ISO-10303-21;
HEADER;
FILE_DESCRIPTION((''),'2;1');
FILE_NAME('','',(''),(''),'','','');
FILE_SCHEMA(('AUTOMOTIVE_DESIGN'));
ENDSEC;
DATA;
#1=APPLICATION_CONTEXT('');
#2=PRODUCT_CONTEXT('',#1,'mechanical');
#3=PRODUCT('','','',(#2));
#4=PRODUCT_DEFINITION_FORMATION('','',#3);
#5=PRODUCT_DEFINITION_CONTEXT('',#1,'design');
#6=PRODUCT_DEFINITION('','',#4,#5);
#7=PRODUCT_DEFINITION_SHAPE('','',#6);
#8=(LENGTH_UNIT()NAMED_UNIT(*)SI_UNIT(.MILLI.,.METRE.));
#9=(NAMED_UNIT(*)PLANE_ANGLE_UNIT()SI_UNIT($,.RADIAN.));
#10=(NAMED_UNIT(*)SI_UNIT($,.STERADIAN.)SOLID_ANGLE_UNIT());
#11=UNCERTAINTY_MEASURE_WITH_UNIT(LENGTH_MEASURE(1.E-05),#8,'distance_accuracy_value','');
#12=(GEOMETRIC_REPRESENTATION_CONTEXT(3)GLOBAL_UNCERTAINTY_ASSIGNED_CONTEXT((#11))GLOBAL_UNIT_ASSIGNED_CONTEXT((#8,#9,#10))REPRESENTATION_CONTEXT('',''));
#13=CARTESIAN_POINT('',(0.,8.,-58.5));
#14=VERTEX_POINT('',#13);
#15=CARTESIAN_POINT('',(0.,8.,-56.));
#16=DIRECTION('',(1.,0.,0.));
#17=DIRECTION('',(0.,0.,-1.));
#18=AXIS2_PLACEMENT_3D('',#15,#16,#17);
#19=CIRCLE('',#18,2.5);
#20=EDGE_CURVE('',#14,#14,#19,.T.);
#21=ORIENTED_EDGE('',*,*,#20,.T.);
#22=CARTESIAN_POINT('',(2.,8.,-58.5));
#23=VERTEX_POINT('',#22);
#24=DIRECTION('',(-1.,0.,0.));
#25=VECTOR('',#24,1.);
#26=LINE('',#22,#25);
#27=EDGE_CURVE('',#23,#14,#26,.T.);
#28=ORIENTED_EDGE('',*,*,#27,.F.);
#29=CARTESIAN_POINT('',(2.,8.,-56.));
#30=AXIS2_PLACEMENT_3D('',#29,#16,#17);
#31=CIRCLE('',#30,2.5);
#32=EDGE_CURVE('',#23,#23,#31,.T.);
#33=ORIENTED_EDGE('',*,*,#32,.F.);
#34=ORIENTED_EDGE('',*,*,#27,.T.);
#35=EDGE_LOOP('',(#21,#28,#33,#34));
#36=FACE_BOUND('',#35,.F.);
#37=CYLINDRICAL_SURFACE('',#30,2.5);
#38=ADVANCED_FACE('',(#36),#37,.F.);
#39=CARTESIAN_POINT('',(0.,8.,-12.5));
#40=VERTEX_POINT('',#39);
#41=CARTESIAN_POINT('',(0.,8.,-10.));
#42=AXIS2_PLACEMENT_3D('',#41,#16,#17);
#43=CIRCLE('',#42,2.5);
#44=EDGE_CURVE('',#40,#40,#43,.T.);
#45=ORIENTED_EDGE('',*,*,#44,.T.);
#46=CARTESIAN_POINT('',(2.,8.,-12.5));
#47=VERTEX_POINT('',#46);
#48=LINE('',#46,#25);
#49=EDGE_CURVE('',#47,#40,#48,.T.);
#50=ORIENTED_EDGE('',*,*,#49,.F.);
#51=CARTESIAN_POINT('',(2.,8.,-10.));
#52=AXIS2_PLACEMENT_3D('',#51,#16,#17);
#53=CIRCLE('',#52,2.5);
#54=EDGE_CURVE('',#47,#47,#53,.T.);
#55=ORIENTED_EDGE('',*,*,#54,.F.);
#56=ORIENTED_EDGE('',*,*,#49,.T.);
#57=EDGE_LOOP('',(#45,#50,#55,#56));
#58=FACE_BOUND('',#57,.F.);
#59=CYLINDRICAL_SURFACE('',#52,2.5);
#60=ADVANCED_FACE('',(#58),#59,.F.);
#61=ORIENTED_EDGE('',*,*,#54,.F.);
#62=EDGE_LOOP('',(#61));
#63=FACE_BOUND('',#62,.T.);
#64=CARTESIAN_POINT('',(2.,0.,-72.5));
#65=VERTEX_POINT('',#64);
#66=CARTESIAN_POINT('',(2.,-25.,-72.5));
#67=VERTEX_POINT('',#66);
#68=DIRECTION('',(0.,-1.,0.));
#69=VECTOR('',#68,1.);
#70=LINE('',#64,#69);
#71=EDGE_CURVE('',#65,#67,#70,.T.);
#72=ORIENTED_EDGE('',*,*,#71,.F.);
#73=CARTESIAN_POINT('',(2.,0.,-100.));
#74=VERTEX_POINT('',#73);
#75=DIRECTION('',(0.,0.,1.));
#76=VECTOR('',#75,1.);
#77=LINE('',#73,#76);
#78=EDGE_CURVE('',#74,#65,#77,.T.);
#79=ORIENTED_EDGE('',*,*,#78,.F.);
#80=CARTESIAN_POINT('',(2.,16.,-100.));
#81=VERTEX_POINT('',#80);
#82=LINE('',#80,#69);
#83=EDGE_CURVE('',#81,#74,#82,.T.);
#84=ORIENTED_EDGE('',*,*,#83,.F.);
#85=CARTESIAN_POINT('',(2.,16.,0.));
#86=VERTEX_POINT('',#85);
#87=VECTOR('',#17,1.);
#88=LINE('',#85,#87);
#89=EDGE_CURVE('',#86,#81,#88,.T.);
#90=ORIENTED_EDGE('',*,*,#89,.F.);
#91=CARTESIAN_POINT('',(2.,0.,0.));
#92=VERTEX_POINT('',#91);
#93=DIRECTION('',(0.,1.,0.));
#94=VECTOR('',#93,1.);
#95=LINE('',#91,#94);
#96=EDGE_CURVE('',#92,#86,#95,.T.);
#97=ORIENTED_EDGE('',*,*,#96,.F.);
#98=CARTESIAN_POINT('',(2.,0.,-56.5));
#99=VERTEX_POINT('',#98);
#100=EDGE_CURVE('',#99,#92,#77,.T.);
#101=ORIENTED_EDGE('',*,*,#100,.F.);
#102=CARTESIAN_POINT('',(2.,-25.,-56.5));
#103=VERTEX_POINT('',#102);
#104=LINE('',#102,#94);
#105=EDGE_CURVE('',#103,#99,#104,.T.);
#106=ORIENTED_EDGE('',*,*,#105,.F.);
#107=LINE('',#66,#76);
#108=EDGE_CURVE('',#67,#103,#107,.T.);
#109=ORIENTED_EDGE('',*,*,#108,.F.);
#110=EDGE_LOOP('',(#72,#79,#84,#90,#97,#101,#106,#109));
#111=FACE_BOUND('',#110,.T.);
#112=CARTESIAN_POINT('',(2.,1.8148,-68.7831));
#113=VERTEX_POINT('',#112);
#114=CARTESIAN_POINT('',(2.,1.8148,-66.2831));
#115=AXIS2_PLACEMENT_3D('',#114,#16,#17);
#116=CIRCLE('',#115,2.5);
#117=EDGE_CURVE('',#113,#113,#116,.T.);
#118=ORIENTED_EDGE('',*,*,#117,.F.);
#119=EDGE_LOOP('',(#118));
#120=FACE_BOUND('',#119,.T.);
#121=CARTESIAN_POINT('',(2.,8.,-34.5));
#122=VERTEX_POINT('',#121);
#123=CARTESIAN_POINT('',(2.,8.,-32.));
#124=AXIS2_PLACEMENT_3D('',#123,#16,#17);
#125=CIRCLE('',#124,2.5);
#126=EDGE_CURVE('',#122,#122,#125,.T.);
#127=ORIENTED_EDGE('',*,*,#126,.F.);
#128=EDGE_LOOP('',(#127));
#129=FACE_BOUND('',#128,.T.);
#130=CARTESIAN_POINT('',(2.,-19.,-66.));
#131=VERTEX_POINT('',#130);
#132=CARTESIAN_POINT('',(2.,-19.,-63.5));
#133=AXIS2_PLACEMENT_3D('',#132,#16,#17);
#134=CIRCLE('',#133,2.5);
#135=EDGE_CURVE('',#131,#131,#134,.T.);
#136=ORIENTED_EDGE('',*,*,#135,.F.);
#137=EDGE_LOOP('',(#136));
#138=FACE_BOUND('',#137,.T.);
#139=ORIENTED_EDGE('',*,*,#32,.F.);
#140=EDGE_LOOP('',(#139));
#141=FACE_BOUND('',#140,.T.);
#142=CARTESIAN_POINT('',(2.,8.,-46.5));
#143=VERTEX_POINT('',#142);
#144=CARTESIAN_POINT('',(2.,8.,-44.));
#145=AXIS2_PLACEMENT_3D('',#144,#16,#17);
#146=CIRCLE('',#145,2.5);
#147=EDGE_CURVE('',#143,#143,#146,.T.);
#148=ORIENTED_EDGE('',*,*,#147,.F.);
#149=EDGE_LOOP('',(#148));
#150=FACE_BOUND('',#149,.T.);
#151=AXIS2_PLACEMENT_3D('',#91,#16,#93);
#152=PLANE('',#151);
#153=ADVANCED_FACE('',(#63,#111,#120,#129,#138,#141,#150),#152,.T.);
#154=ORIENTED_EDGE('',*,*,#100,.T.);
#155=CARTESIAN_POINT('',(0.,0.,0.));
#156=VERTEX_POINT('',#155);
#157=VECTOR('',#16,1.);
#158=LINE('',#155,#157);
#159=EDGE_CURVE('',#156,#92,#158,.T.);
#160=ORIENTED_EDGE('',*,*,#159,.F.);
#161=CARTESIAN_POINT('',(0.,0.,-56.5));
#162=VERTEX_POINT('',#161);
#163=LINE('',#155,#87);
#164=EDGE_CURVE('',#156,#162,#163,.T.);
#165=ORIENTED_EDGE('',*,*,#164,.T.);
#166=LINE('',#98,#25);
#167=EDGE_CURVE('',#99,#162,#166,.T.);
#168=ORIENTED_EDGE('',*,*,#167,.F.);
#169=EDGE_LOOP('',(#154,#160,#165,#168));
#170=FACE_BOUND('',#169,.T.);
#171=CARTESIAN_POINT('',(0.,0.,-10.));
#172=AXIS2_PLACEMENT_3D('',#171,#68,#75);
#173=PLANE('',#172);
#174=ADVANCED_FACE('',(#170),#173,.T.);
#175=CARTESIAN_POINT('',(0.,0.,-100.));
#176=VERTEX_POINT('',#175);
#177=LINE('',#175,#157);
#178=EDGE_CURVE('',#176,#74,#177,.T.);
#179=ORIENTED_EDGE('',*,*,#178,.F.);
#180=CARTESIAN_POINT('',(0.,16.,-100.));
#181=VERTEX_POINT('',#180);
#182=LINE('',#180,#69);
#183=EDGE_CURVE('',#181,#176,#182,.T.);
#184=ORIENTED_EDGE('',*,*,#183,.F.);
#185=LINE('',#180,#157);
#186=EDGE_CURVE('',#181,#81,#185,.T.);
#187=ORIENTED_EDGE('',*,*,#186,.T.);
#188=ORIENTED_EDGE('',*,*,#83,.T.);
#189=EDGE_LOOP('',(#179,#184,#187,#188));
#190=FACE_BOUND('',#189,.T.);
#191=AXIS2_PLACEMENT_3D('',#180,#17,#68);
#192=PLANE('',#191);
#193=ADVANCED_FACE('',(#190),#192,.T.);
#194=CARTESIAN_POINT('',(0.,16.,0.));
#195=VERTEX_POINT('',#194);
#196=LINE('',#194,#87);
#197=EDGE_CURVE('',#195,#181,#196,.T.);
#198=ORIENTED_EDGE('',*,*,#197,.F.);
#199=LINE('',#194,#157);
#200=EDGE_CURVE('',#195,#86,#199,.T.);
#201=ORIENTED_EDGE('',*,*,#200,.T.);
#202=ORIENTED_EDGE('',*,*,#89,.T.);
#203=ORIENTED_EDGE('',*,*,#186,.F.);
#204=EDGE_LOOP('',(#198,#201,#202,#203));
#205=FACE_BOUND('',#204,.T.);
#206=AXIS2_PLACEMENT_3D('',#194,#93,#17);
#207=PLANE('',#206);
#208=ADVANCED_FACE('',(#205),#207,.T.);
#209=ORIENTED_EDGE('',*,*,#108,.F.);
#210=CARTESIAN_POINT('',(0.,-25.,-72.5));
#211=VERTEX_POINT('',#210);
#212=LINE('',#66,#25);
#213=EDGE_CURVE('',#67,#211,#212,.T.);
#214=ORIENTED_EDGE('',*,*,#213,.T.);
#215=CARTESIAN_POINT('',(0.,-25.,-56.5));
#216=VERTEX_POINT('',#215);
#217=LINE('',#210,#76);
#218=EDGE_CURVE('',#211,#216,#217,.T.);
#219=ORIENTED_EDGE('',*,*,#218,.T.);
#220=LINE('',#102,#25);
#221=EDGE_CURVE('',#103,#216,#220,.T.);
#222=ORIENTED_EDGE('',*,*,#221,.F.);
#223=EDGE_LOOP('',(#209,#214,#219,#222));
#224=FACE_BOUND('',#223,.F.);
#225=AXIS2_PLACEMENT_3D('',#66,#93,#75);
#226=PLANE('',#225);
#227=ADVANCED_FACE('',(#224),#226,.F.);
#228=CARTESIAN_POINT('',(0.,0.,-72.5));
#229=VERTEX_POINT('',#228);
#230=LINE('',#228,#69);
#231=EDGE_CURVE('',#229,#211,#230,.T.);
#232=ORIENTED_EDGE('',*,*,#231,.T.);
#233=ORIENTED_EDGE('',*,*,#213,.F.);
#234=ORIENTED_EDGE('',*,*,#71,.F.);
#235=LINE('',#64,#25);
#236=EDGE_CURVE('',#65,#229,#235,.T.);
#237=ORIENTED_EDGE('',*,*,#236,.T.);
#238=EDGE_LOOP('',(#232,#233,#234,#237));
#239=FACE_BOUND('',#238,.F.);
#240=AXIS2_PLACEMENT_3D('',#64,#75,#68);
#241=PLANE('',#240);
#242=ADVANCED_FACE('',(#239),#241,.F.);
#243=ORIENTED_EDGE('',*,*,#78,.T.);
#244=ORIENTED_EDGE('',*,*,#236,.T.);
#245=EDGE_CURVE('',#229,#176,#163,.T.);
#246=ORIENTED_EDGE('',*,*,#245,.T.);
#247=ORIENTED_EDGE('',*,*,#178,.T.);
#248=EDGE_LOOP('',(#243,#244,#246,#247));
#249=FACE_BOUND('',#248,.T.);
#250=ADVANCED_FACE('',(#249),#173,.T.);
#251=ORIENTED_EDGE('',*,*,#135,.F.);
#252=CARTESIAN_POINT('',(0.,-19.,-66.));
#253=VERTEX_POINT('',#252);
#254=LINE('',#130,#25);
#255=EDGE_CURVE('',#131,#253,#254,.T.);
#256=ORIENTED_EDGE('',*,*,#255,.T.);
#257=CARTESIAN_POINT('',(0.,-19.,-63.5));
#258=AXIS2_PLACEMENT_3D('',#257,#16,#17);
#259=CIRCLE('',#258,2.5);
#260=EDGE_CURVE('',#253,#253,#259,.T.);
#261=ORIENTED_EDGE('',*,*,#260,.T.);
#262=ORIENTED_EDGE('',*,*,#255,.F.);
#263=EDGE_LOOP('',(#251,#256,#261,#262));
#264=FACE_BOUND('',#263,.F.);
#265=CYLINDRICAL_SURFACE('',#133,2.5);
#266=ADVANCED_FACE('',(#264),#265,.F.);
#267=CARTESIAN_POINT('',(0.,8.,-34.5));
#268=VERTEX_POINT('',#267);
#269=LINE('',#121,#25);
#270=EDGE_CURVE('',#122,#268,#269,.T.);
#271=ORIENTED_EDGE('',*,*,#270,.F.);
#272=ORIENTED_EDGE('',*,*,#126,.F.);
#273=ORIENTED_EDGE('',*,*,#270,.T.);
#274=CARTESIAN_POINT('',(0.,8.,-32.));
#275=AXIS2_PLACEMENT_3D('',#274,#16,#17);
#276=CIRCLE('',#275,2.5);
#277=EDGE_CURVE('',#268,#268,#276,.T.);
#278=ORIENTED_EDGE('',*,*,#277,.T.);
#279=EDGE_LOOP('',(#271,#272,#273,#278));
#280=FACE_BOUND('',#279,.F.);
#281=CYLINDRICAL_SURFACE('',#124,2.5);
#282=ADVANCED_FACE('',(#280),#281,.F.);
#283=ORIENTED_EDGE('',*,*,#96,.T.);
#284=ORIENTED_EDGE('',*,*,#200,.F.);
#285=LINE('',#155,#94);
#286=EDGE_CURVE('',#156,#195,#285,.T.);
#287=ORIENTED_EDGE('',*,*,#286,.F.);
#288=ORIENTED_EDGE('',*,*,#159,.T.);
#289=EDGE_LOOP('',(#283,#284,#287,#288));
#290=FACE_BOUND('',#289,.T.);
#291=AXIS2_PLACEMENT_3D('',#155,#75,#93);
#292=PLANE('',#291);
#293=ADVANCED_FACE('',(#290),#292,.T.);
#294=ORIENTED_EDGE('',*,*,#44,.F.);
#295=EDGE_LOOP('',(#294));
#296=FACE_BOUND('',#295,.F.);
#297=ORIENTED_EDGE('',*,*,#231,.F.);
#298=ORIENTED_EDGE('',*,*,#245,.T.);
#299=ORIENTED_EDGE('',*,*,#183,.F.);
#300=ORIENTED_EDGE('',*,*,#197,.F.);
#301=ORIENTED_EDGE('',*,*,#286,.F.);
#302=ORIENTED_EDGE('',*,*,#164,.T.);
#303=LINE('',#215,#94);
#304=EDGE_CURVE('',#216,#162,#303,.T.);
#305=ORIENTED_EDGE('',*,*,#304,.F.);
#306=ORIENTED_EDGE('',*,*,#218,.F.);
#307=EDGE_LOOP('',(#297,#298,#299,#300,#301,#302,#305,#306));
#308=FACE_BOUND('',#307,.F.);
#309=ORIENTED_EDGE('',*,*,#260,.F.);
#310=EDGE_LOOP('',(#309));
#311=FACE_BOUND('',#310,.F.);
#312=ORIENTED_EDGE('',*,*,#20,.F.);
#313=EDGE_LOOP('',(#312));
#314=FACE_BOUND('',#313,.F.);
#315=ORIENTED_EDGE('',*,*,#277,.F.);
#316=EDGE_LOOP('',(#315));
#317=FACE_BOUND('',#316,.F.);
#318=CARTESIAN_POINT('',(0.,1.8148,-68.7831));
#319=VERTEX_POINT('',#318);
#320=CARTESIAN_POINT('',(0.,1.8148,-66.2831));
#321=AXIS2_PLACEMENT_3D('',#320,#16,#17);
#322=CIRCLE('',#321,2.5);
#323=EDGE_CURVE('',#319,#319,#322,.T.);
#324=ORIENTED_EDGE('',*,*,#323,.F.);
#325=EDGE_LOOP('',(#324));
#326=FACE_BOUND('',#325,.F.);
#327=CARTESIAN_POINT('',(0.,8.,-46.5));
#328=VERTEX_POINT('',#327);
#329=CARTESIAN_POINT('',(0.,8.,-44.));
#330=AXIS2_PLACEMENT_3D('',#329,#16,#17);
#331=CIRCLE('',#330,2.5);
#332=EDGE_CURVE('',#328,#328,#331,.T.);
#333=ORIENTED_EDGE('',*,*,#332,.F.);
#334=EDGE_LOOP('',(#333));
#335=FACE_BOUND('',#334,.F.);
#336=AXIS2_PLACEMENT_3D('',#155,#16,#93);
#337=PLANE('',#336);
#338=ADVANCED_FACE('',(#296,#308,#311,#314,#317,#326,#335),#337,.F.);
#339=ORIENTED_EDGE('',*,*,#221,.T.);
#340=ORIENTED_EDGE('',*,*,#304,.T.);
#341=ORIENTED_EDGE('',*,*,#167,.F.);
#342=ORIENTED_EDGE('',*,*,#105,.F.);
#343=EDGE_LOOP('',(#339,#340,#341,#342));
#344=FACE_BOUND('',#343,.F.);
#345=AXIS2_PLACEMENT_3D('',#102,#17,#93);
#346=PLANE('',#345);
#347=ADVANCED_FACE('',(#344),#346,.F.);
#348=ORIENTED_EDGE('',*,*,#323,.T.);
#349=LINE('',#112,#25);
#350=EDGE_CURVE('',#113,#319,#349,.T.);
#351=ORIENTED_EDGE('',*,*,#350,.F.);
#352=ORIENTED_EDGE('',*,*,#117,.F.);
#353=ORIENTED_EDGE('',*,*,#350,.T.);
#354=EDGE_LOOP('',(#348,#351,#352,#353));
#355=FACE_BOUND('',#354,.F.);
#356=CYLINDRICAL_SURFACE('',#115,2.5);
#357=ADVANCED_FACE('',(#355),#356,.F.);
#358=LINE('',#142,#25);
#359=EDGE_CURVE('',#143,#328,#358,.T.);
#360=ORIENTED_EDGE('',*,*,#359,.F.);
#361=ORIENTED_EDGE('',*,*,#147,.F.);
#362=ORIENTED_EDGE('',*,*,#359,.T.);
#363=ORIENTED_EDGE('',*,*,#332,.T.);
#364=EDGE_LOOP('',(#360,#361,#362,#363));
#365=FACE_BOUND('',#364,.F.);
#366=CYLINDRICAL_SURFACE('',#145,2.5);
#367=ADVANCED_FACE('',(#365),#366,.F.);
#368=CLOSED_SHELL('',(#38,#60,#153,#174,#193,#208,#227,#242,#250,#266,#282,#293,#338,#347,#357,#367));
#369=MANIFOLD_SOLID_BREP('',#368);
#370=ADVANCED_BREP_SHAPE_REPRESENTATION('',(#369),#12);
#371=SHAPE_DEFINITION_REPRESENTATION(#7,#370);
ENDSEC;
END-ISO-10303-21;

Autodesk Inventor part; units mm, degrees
ref_plane "YZ Plane" through (0, 0, 0) normal (1, 0, 0) x (0, 1, 0)
ref_plane "XZ Plane" through (0, 0, 0) normal (0, 1, 0) x (-1, 0, 0)
ref_plane "XY Plane" through (0, 0, 0) normal (0, 0, 1) x (1, 0, 0)
sketch "Sketch1" plane through (0, 0, 0) normal (1, 0, 0) x (0, 1, 0)
  line L0 (0, 0) -> (16, 0)
  line L1 (16, 0) -> (16, -100)
  line L2 (16, -100) -> (0, -100)
  line L3 (0, -10) -> (0, -10)
  line L4 (0, -10) -> (0, -25)
  line L5 (0, -25) -> (0, -25)
  line L6 (0, -90) -> (0, -90)
  line L7 (0, -90) -> (0, -75)
  line L8 (0, -75) -> (0, -75)
  line L9 (0, -10) -> (0, 0)
  line L10 (0, -100) -> (0, -90)
  line L11 (0, -75) -> (0, -25)
  dimension "d0" = 16
  dimension "d1" = 100
  dimension "d2" = 0
  dimension "d3" = 15
  dimension "d4" = 10
  dimension "d5" = 15
  dimension "d6" = 10
  dimension "d10" = 0
  dimension "d11" = 0
  dimension "d12" = 0
extrude "Extrusion1" add sketch "Sketch1" along normal blind 2
sketch "Sketch3" plane through (2, 0, 0) normal (1, 0, 0) x (0, 0, -1)
  circle A0 centre (10, 8) radius 2.5
  circle A1 centre (32, 8) radius 2.5
  circle A2 centre (44, 8) radius 2.5
  line L0 (0, 16) -> (0, 0) projected
  line L1 (100, 16) -> (0, 16) projected
  circle A3 centre (56, 8) radius 2.5
  dimension "d18" = 5
  dimension "d19" = 5
  dimension "d20" = 5
  dimension "d21" = 10
  dimension "d22" = 8
  dimension "d23" = 8
  dimension "d24" = 22
  dimension "d25" = 8
  dimension "d26" = 12
  dimension "d29" = 5
  dimension "d31" = 8
  dimension "d32" = 12
extrude "Extrusion3" cut sketch "Sketch3" against normal blind 10 contours A0 | A1 | A2
extrude "Extrusion4" cut sketch "Sketch3" against normal blind 10 contours A3
sketch "Sketch5" plane through (2, 0, 0) normal (1, 0, 0) x (0, 0, -1)
  line L0 (0, 0) -> (100, 0) projected
  circle A0 centre (63.5, -19) radius 2.5 projected
  line L1 (56.5, 0) -> (72.5, 0)
  line L2 (72.5, 0) -> (72.5, -25)
  line L3 (72.5, -25) -> (56.5, -25)
  line L4 (56.5, -25) -> (56.5, 0)
  circle A1 centre (66.2831, 1.8148) radius 2.5
  circle A2 centre (56, 8) radius 6 construction
  circle A3 centre (63.5, -19) radius 15 construction
  circle A4 centre (66.2831, 1.8148) radius 6 construction
  dimension "d44" = 16
  dimension "d45" = 25
  dimension "d46" = 9
  dimension "d52" = 5
  dimension "d56" = 12
  dimension "d57" = 30
  dimension "d58" = 12
extrude "Extrusion6" add sketch "Sketch5" against normal blind 2 contours L0 A1 L2 L3 L4 | L0 A1 picked at (65.8534, -0.1091)
sketch "Sketch6" plane through (2, 0, 0) normal (1, 0, 0) x (0, 0, -1)
  circle A0 centre (66.2831, 1.8148) radius 2.5 projected
  circle A1 centre (66.2831, 1.8148) radius 2.5
  point P0 (0, 0)
  dimension "d53" = 5
extrude "Extrusion7" cut sketch "Sketch6" against normal blind 3
properties part number "Mounting_wall_2"
